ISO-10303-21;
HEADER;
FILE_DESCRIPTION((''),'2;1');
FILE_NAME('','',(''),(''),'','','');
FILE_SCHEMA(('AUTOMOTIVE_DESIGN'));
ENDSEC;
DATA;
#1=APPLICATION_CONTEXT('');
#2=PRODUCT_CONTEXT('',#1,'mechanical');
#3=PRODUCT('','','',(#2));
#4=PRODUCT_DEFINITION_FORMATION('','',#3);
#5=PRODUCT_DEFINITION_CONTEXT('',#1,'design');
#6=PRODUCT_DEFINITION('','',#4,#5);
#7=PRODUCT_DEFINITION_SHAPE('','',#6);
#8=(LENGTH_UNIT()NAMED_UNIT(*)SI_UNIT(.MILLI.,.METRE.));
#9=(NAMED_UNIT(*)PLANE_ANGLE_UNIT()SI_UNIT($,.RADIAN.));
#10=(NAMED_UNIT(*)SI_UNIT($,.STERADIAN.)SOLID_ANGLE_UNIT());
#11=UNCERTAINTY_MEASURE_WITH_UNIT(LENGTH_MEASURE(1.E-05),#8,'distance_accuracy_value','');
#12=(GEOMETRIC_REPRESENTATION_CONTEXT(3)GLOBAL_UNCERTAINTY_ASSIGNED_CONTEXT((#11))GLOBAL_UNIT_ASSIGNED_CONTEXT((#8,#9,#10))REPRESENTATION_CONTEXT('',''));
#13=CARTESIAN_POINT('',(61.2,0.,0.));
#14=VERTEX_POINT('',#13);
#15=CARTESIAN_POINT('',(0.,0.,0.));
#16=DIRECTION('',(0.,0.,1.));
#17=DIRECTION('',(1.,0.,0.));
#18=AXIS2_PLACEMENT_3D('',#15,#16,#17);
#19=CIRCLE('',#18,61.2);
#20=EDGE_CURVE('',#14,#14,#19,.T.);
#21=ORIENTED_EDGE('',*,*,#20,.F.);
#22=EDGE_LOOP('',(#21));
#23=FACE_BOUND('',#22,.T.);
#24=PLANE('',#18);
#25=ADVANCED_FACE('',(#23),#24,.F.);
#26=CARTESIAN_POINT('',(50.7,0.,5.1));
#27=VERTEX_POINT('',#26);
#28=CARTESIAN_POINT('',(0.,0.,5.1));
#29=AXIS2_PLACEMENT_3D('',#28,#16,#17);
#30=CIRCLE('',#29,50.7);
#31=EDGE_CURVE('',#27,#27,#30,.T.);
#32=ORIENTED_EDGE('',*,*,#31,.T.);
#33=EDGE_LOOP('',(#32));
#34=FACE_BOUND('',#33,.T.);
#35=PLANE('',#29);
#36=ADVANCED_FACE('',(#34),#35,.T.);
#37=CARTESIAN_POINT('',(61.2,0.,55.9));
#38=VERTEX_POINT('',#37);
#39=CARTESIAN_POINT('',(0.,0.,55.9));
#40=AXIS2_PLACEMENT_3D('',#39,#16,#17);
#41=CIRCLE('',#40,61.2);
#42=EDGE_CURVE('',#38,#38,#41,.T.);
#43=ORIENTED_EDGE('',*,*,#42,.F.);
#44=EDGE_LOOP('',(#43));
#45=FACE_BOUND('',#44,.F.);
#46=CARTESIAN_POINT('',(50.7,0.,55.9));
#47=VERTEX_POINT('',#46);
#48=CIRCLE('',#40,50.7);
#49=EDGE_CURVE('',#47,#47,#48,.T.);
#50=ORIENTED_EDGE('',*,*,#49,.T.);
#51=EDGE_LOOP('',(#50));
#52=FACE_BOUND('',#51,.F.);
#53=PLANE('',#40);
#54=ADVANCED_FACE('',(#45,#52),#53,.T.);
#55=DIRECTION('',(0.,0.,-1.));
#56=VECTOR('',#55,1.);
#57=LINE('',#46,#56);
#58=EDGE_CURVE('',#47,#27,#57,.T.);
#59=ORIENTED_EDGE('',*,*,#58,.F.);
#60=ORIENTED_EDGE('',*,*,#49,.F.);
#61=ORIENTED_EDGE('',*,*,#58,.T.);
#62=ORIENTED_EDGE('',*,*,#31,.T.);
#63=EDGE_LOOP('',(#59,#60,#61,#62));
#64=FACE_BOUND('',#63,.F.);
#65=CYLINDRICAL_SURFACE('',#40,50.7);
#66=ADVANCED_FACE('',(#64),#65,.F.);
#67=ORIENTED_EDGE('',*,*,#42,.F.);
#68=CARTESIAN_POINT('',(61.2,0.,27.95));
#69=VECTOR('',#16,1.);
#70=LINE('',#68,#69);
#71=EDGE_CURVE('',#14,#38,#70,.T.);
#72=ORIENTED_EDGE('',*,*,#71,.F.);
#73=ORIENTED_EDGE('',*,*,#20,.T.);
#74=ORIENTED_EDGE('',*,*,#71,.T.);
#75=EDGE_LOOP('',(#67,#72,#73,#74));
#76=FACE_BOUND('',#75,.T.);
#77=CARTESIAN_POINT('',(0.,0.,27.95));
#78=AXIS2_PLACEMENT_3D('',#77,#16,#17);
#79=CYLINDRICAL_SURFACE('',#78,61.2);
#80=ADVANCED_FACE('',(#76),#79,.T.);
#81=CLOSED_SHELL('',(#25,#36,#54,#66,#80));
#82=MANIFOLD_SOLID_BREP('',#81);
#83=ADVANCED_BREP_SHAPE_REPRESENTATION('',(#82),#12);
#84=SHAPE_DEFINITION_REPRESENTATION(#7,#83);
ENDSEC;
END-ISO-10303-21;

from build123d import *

# Parameters (mm, degrees)
F0_W     = 61.2
F0_H     = 55.9
F2_R     = 50.7
F3_DEPTH = 50.8


with BuildPart() as f1:
    # F0 (on Front) → F1 (revolve)
    with BuildSketch(Plane.XZ):
        with Locations((30.6, 27.95)):
            Rectangle(F0_W, F0_H)
    revolve(axis=Axis((0, 0, 55.681068), (0, 0, 1)))

    # F2 (on face) → F3 (cut)
    with BuildSketch(Plane.XY.offset(55.9)):
        Circle(F2_R)
    extrude(amount=-F3_DEPTH, mode=Mode.SUBTRACT)


solid = f1.part
